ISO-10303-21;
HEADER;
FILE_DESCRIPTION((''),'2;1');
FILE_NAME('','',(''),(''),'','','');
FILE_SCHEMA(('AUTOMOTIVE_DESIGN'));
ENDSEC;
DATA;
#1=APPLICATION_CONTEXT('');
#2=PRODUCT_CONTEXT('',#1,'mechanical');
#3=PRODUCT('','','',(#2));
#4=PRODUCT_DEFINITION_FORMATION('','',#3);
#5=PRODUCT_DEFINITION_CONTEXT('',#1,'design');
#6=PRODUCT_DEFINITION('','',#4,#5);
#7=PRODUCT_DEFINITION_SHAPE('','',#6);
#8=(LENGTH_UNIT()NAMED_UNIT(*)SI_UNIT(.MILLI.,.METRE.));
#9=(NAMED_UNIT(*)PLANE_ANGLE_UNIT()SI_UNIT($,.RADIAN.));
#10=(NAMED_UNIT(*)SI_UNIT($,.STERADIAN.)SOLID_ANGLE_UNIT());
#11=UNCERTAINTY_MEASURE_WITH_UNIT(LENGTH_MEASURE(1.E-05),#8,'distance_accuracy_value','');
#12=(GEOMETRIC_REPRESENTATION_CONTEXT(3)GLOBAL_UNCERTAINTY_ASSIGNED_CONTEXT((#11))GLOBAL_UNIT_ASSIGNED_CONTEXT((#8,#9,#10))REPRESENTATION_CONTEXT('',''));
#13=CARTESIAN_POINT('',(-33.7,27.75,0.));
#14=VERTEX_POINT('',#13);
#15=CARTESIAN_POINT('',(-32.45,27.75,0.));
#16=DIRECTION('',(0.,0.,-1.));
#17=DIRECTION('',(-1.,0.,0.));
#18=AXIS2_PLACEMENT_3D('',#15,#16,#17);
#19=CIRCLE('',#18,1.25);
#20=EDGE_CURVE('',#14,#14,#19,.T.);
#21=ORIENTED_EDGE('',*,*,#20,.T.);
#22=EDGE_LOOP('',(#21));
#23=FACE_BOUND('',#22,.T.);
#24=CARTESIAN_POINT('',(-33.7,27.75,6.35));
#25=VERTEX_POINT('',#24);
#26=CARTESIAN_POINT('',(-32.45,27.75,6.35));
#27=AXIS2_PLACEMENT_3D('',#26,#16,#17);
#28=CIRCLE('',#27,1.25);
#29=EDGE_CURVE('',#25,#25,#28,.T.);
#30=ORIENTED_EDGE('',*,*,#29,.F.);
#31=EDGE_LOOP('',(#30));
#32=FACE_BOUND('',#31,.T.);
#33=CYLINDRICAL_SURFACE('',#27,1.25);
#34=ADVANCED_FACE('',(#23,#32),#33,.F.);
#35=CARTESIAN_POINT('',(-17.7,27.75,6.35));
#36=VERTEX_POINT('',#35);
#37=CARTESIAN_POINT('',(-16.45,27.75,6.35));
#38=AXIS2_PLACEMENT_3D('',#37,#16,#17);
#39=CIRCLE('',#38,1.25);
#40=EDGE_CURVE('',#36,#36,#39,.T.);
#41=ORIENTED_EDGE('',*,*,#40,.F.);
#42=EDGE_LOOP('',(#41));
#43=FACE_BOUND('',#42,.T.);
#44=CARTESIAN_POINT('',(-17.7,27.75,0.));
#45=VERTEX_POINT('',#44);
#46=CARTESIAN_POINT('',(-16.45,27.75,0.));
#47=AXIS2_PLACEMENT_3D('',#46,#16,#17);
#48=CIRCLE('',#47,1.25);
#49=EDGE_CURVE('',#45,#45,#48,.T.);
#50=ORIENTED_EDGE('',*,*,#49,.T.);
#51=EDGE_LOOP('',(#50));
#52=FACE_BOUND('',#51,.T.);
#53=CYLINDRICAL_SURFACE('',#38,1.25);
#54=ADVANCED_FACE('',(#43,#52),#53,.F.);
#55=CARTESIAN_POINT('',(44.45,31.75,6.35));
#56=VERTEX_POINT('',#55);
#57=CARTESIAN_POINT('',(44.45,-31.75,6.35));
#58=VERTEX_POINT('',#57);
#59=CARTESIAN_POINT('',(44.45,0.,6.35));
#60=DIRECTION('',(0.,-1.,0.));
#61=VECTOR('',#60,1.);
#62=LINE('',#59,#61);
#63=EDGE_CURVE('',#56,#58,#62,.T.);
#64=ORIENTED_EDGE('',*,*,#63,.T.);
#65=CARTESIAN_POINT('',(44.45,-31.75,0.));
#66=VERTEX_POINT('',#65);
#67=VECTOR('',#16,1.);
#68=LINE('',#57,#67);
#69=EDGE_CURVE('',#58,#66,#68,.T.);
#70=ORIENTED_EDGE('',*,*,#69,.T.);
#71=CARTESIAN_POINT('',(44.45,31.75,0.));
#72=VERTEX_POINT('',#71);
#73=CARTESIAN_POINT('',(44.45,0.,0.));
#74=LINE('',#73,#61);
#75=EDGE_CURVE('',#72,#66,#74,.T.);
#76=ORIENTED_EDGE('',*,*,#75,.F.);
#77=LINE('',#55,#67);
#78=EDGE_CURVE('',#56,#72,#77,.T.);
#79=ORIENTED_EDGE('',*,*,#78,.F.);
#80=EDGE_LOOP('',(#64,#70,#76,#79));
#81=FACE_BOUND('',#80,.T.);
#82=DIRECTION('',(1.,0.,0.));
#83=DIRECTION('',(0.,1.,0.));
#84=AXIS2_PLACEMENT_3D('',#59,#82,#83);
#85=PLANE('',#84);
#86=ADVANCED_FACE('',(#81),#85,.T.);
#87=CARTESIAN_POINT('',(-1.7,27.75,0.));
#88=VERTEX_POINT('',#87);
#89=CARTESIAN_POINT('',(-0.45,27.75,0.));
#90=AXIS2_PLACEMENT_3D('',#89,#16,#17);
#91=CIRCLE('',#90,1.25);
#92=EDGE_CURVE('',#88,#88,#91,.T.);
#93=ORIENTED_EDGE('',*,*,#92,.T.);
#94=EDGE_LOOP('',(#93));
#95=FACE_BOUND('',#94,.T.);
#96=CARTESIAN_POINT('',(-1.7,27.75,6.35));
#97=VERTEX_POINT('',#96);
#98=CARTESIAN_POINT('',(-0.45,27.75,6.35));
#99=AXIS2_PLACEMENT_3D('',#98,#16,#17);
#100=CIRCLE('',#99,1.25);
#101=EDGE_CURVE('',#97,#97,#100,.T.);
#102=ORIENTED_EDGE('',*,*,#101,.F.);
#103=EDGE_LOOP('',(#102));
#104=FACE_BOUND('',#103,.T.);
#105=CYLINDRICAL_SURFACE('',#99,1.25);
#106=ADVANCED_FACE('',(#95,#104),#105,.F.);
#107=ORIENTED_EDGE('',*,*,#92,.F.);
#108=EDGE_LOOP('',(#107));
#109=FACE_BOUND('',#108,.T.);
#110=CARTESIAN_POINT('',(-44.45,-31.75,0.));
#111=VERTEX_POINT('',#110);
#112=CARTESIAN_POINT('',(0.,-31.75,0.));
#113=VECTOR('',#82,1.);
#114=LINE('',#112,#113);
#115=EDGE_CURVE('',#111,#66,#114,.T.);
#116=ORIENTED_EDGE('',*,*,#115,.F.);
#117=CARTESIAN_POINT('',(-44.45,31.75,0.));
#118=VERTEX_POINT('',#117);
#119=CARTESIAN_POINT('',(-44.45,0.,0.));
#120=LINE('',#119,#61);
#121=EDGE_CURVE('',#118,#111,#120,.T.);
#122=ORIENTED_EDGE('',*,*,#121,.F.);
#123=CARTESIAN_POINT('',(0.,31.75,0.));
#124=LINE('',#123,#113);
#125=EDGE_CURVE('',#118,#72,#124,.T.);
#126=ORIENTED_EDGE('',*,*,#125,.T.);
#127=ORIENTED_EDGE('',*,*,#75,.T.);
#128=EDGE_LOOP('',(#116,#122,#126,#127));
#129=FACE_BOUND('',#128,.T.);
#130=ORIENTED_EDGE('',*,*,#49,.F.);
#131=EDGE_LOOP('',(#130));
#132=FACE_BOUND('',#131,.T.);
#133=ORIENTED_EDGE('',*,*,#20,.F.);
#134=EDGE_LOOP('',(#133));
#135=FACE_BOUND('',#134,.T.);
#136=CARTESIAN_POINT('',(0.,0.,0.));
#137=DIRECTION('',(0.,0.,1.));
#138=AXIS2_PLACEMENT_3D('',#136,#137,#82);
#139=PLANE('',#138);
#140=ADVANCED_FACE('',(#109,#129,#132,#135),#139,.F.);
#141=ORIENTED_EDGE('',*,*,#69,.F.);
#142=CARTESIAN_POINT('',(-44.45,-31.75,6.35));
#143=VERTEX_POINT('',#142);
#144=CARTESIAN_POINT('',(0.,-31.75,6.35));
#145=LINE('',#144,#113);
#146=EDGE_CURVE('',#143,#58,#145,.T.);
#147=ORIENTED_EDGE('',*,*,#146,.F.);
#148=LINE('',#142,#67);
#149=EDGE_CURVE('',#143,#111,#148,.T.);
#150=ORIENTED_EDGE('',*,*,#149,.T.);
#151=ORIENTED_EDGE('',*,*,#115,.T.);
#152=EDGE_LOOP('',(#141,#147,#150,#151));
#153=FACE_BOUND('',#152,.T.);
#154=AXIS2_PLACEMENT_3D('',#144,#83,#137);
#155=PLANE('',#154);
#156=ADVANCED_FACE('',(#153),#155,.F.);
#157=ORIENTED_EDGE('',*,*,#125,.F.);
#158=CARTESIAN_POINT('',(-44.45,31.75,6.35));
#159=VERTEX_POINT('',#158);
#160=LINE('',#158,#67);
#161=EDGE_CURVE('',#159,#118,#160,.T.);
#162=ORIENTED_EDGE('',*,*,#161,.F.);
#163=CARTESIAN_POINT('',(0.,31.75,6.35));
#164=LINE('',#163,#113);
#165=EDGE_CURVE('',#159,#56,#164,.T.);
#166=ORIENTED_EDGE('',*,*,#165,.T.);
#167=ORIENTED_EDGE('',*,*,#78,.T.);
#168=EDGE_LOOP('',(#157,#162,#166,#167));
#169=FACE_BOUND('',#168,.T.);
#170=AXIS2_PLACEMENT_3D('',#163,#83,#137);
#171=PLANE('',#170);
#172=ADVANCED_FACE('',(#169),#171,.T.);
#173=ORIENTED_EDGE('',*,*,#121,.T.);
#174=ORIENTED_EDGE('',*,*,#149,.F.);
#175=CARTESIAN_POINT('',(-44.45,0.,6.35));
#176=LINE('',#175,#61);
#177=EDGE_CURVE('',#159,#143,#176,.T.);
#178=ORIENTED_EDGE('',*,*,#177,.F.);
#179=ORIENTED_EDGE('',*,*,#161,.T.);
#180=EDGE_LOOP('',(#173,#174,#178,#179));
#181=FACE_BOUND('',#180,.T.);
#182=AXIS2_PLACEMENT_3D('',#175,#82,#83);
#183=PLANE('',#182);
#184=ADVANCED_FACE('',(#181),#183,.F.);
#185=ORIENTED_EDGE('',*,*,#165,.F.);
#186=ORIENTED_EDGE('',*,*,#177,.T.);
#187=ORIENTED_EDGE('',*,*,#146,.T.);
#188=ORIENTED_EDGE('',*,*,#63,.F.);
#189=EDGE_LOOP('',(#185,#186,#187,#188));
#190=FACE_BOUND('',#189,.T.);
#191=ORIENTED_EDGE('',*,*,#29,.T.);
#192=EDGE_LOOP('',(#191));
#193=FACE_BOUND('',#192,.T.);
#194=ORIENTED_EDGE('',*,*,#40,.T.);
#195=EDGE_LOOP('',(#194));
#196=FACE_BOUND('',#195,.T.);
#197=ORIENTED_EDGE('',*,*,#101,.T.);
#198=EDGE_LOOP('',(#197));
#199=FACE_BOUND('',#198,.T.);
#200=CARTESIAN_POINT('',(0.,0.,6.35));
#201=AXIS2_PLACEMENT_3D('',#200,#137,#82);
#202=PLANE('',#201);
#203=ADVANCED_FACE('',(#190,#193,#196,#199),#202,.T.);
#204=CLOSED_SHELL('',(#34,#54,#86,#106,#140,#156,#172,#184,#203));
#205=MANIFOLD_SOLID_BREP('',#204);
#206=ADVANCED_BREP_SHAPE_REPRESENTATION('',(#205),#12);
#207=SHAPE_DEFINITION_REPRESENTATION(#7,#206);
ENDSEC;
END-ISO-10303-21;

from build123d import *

# Parameters (mm, degrees)
SKETCH1_W           = 88.9
SKETCH1_H           = 63.5
BOSS_EXTRUDE1_DEPTH = 6.35
SKETCH2_R           = 1.25
CUT_EXTRUDE1_DEPTH  = 55.99261314


with BuildPart() as part:
    # Sketch1 → Boss-Extrude1 (new body)
    with BuildSketch(Plane.XY):
        Rectangle(SKETCH1_W, SKETCH1_H)
    extrude(amount=BOSS_EXTRUDE1_DEPTH)

    # Sketch2 → Cut-Extrude1 (cut, through all)
    with BuildSketch(Plane(origin=(0, 0, 0), x_dir=(-1, 0, 0), z_dir=(0, 0, -1))):
        with Locations((0.45, 27.749999872)):
            Circle(SKETCH2_R)
        with Locations((32.45, 27.749999872)):
            Circle(SKETCH2_R)
        with Locations((16.45, 27.749999872)):
            Circle(SKETCH2_R)
    extrude(amount=-CUT_EXTRUDE1_DEPTH, mode=Mode.SUBTRACT)


solid = part.part
